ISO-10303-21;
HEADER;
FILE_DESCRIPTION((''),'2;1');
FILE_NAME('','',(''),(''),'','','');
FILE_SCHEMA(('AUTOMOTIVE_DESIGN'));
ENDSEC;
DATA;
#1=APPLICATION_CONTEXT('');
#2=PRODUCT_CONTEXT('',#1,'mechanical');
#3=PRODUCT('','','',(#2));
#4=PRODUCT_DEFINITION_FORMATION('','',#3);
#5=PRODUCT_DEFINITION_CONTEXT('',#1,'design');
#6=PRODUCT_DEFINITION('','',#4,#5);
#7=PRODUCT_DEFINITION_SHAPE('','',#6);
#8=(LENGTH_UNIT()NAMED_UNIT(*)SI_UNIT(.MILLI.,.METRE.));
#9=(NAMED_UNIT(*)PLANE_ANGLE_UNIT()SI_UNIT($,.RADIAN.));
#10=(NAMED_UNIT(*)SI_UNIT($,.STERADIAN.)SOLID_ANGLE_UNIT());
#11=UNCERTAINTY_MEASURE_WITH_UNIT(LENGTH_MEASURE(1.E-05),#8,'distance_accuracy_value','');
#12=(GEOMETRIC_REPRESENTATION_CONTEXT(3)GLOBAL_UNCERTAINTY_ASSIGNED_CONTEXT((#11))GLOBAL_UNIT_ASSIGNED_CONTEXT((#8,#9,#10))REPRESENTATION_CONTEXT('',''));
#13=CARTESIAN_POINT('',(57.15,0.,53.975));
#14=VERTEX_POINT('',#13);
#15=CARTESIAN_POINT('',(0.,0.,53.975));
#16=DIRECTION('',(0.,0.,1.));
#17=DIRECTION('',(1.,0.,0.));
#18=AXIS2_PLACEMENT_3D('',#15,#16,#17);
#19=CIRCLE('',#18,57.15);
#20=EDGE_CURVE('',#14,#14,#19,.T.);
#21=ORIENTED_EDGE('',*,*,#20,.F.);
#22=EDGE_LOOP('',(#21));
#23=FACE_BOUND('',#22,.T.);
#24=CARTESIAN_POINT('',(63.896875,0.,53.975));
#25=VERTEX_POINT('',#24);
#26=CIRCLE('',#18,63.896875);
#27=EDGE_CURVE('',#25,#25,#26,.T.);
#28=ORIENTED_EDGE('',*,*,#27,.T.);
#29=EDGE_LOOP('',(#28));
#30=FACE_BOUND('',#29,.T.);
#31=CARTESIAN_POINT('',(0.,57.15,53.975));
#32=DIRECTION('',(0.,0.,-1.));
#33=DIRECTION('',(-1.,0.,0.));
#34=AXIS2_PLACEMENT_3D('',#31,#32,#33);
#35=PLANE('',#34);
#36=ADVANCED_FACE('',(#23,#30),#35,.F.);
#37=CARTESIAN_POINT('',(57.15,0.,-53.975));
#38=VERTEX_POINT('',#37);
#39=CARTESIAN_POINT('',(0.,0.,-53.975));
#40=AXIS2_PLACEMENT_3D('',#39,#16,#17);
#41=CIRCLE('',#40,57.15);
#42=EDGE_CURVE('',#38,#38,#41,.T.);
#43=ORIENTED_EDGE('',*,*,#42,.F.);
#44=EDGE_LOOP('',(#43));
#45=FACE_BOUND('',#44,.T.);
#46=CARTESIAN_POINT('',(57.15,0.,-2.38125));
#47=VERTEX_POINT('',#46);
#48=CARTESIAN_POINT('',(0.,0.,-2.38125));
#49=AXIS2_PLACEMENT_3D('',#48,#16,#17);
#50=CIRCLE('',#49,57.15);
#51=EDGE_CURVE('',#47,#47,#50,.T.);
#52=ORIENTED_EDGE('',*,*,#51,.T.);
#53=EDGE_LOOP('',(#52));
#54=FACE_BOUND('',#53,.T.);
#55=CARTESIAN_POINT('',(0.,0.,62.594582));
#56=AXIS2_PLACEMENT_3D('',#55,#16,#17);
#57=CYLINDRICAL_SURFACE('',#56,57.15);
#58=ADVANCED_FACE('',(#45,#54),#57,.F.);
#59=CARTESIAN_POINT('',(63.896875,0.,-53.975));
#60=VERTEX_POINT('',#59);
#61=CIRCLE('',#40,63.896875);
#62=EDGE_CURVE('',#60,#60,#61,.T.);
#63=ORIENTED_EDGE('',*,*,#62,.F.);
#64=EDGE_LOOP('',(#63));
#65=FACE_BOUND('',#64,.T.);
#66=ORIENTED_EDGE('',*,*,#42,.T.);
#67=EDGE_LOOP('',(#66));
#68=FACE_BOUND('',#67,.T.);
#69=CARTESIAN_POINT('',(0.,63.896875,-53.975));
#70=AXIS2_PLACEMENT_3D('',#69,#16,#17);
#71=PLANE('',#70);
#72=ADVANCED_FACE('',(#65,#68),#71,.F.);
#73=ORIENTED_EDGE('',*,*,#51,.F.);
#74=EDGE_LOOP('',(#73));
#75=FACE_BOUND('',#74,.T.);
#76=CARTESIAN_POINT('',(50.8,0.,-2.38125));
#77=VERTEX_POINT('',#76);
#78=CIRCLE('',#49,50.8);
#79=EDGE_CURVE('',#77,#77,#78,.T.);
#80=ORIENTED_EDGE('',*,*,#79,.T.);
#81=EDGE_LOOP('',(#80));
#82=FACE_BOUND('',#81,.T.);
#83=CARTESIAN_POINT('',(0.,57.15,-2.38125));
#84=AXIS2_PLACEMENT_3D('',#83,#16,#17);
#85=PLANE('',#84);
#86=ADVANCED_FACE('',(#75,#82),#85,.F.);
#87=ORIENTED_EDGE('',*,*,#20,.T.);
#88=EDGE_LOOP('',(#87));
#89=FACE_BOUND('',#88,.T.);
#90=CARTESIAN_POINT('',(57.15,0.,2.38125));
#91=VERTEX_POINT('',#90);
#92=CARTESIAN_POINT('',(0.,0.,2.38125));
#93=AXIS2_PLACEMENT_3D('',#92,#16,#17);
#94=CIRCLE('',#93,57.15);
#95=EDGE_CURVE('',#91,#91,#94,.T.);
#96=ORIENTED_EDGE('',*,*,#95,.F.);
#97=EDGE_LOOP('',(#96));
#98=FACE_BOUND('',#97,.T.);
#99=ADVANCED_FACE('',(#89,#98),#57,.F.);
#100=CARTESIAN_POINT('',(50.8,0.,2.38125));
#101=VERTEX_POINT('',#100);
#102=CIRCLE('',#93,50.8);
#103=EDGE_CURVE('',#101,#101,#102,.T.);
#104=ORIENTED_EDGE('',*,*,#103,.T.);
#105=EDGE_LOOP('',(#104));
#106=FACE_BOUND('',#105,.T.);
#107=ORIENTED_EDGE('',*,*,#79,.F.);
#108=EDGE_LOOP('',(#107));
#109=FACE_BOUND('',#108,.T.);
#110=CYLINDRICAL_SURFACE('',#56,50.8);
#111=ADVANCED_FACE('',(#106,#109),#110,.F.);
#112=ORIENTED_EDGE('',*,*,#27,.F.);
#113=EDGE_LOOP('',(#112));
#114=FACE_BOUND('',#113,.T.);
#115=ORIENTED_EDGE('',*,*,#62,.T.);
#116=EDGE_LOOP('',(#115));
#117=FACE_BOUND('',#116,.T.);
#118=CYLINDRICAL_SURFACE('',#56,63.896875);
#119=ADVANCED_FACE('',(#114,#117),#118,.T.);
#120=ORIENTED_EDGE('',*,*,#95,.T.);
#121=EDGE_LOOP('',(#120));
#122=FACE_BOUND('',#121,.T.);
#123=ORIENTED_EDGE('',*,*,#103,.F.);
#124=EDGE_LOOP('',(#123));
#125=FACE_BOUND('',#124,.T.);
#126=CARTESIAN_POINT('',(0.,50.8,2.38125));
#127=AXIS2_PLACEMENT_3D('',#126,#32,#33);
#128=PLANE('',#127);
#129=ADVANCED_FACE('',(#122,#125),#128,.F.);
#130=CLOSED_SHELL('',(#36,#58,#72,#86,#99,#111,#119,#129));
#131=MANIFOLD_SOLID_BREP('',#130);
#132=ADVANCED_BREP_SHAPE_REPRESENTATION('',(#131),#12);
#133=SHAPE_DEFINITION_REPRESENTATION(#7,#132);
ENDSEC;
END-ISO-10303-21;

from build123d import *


with BuildPart() as part:
    # Sketch2 → Revolve1 (revolve)
    with BuildSketch(Plane(origin=(0, 0, 0), x_dir=(0, 0, -1), z_dir=(1, 0, 0)), mode=Mode.PRIVATE) as revolve1_sk:
        Polygon((-53.975, 63.896875), (53.975, 63.896875), (53.975, 57.15), (2.38125, 57.15), (2.38125, 50.8), (-2.38125, 50.8), (-2.38125, 57.15), (-53.975, 57.15), align=None)
    revolve(revolve1_sk.sketch.rotate(Axis((0, 0, 62.594581749), (0, 0, -1)), 90), axis=Axis((0, 0, 62.594581749), (0, 0, -1)))  # turned: the seam where the file's is


solid = part.part
